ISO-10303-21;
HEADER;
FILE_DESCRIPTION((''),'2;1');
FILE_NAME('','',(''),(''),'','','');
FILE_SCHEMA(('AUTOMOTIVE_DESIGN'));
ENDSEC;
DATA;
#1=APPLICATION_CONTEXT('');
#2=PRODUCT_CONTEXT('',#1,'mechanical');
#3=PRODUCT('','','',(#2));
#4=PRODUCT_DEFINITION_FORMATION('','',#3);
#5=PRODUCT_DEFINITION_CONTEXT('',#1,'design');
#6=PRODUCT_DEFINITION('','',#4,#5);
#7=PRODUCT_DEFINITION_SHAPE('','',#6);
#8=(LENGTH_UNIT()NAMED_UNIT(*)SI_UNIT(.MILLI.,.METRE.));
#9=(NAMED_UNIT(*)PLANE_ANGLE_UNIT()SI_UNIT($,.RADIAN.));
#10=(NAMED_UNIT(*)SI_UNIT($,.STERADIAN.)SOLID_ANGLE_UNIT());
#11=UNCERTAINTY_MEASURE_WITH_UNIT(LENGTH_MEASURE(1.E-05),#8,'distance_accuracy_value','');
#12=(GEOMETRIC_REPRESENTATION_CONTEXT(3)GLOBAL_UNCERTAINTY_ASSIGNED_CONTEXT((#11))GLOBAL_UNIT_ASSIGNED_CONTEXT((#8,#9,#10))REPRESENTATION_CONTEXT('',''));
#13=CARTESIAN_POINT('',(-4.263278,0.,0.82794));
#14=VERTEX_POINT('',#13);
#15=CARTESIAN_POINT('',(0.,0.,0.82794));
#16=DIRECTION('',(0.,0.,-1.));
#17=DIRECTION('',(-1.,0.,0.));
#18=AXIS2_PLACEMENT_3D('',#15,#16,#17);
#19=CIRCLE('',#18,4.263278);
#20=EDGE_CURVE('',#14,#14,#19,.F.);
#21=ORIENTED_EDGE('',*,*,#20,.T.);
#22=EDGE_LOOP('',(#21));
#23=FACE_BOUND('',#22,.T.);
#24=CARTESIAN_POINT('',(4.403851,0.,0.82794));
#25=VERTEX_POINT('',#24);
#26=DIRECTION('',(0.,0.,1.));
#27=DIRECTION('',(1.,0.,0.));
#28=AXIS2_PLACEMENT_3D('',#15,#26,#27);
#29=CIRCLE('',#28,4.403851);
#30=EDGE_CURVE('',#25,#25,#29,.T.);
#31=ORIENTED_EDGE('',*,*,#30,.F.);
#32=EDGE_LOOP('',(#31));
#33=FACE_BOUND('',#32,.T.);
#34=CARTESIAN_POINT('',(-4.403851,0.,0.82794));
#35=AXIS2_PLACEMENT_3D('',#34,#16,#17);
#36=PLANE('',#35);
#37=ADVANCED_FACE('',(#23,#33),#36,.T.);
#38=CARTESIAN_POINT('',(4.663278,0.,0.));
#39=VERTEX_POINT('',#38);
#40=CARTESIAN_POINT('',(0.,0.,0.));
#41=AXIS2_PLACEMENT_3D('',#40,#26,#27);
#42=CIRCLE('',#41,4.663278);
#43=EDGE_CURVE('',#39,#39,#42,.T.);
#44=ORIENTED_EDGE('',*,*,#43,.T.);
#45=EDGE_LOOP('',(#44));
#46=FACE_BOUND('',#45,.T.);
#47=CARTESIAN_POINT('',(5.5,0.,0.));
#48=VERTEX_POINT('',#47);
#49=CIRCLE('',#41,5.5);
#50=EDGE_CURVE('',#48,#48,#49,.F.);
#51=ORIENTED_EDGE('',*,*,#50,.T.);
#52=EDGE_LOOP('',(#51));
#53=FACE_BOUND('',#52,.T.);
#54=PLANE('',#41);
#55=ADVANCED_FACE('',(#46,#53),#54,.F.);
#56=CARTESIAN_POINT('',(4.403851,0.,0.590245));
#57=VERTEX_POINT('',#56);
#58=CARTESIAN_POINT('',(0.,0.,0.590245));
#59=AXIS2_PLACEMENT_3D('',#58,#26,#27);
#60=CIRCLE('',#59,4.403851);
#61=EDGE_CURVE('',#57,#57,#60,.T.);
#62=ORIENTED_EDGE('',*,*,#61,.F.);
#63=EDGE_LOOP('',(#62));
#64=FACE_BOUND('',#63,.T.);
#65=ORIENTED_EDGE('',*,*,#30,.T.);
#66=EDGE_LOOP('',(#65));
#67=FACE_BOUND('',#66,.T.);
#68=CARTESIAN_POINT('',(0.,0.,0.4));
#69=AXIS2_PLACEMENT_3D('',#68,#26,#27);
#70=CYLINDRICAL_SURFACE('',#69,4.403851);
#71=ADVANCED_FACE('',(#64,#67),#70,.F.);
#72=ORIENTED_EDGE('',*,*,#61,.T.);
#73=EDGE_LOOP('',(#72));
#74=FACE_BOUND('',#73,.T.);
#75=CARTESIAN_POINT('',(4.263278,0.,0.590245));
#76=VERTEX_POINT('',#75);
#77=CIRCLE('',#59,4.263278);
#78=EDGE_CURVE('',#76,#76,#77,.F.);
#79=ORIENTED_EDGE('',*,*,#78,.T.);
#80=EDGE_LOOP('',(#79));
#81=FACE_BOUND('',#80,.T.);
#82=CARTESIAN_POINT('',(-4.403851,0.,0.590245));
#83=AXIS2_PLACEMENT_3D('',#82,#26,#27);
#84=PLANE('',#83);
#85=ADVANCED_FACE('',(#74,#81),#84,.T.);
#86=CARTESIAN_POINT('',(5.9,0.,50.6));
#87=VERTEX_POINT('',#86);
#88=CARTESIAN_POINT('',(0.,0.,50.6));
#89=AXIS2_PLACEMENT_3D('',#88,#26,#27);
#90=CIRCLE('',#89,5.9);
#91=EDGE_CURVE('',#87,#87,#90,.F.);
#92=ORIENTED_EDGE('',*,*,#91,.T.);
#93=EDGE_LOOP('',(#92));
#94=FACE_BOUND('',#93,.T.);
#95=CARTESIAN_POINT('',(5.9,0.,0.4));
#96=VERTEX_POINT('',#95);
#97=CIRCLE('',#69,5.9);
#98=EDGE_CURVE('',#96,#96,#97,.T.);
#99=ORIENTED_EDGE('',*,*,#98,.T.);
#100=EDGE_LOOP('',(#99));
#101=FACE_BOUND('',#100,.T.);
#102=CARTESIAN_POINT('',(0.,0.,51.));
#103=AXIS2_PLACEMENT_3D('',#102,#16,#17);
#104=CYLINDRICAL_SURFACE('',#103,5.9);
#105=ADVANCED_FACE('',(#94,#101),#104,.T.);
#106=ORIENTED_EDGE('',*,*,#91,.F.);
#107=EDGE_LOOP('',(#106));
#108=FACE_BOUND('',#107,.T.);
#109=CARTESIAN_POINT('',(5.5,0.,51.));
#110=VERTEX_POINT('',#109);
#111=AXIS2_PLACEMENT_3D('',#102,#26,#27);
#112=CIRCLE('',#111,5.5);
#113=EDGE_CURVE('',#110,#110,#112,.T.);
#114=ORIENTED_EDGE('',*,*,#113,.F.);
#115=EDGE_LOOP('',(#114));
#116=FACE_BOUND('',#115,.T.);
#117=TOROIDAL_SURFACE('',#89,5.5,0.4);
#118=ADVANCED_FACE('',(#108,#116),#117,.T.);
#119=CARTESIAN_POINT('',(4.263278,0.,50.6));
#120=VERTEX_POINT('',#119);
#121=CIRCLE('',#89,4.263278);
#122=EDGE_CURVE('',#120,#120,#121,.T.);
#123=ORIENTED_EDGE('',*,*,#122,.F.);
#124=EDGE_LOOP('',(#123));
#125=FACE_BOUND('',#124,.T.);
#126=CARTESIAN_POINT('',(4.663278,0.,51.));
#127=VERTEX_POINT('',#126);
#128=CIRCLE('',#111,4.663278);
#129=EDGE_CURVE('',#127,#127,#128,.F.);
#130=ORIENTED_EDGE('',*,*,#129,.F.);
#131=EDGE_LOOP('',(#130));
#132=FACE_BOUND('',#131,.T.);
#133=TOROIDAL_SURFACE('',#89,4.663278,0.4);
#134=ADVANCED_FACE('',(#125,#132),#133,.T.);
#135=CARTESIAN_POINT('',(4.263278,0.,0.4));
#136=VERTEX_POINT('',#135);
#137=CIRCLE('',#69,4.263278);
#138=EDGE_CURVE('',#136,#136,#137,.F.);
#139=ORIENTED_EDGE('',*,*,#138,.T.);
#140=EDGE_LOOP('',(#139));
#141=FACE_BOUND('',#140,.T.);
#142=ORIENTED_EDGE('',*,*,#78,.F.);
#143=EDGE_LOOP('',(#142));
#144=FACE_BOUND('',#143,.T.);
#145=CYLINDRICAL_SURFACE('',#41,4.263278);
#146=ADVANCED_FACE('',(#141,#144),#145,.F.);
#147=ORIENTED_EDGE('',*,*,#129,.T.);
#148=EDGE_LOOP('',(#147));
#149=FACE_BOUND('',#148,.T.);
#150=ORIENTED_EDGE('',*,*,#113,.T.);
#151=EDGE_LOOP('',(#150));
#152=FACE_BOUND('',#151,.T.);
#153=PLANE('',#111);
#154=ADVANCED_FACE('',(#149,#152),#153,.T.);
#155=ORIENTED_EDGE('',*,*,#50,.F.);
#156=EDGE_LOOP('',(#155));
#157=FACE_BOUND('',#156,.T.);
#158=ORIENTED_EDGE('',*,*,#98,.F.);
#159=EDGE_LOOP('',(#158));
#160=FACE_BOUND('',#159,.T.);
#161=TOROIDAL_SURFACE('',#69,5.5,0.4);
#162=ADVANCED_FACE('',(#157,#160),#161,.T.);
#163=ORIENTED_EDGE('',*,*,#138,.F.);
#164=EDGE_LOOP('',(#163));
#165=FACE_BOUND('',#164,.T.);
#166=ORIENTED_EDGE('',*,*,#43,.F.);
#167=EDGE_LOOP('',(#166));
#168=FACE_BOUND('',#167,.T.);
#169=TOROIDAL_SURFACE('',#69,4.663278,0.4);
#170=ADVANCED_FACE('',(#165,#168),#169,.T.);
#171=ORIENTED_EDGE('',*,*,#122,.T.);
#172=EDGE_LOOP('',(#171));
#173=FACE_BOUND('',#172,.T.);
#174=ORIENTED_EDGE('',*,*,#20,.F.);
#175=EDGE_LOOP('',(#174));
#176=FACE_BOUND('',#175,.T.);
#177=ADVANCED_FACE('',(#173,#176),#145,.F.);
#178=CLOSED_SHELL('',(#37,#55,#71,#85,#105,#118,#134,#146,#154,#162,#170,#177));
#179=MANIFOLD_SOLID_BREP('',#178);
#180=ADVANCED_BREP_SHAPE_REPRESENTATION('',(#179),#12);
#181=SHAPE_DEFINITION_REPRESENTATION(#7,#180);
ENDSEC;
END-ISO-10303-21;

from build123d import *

# Parameters (mm, degrees)
SKETCH1_R      = 5.9
EXTRUDE1_DEPTH = 51
SKETCH2_R      = 4.263277526
EXTRUDE2_DEPTH = 52.678041759
FILLET1_R      = 0.4
SKETCH3_W      = 0.324130055
SKETCH3_H      = 0.237695373


with BuildPart() as part:
    # Sketch1 → Extrude1 (new body)
    with BuildSketch(Plane.XY):
        Circle(SKETCH1_R)
    extrude(amount=EXTRUDE1_DEPTH)

    # Sketch2 → Extrude2 (cut, through all)
    with BuildSketch(Plane.XY.offset(51)):
        Circle(SKETCH2_R)
    extrude(amount=-EXTRUDE2_DEPTH, mode=Mode.SUBTRACT)

    # Fillet1
    fillet1_edges = [part.edges().sort_by_distance(p)[0] for p in [
        (-5.9, 0, 0),
        (-5.9, 0, 51),
        (-4.263277526, 0, 0),
        (-4.263277526, 0, 51),
    ]]
    fillet(fillet1_edges, radius=FILLET1_R)

    # Cut-Sweep2: sweep along a curve in space
    with BuildLine() as cut_sweep2_path:
        ThreePointArc((4.263277526, 0, 0.4), (3.014592449, 3.014592449, 0.4), (0, 4.263277526, 0.4))
        ThreePointArc((0, 4.263277526, 0.4), (-3.014592449, 3.014592449, 0.4), (-4.263277526, 0, 0.4))
        ThreePointArc((-4.263277526, 0, 0.4), (-3.014592449, -3.014592449, 0.4), (0, -4.263277526, 0.4))
        ThreePointArc((0, -4.263277526, 0.4), (3.014592449, -3.014592449, 0.4), (4.263277526, 0, 0.4))
    # Sketch3 → Cut-Sweep2 (sweep, cut)
    with BuildSketch(Plane(origin=(0, 0, 0), x_dir=(1, 0, 0), z_dir=(0, 1, 0))):
        with Locations((-4.241785701, -0.709092592)):
            Rectangle(SKETCH3_W, SKETCH3_H)
    sweep(path=cut_sweep2_path.line, mode=Mode.SUBTRACT)


solid = part.part
